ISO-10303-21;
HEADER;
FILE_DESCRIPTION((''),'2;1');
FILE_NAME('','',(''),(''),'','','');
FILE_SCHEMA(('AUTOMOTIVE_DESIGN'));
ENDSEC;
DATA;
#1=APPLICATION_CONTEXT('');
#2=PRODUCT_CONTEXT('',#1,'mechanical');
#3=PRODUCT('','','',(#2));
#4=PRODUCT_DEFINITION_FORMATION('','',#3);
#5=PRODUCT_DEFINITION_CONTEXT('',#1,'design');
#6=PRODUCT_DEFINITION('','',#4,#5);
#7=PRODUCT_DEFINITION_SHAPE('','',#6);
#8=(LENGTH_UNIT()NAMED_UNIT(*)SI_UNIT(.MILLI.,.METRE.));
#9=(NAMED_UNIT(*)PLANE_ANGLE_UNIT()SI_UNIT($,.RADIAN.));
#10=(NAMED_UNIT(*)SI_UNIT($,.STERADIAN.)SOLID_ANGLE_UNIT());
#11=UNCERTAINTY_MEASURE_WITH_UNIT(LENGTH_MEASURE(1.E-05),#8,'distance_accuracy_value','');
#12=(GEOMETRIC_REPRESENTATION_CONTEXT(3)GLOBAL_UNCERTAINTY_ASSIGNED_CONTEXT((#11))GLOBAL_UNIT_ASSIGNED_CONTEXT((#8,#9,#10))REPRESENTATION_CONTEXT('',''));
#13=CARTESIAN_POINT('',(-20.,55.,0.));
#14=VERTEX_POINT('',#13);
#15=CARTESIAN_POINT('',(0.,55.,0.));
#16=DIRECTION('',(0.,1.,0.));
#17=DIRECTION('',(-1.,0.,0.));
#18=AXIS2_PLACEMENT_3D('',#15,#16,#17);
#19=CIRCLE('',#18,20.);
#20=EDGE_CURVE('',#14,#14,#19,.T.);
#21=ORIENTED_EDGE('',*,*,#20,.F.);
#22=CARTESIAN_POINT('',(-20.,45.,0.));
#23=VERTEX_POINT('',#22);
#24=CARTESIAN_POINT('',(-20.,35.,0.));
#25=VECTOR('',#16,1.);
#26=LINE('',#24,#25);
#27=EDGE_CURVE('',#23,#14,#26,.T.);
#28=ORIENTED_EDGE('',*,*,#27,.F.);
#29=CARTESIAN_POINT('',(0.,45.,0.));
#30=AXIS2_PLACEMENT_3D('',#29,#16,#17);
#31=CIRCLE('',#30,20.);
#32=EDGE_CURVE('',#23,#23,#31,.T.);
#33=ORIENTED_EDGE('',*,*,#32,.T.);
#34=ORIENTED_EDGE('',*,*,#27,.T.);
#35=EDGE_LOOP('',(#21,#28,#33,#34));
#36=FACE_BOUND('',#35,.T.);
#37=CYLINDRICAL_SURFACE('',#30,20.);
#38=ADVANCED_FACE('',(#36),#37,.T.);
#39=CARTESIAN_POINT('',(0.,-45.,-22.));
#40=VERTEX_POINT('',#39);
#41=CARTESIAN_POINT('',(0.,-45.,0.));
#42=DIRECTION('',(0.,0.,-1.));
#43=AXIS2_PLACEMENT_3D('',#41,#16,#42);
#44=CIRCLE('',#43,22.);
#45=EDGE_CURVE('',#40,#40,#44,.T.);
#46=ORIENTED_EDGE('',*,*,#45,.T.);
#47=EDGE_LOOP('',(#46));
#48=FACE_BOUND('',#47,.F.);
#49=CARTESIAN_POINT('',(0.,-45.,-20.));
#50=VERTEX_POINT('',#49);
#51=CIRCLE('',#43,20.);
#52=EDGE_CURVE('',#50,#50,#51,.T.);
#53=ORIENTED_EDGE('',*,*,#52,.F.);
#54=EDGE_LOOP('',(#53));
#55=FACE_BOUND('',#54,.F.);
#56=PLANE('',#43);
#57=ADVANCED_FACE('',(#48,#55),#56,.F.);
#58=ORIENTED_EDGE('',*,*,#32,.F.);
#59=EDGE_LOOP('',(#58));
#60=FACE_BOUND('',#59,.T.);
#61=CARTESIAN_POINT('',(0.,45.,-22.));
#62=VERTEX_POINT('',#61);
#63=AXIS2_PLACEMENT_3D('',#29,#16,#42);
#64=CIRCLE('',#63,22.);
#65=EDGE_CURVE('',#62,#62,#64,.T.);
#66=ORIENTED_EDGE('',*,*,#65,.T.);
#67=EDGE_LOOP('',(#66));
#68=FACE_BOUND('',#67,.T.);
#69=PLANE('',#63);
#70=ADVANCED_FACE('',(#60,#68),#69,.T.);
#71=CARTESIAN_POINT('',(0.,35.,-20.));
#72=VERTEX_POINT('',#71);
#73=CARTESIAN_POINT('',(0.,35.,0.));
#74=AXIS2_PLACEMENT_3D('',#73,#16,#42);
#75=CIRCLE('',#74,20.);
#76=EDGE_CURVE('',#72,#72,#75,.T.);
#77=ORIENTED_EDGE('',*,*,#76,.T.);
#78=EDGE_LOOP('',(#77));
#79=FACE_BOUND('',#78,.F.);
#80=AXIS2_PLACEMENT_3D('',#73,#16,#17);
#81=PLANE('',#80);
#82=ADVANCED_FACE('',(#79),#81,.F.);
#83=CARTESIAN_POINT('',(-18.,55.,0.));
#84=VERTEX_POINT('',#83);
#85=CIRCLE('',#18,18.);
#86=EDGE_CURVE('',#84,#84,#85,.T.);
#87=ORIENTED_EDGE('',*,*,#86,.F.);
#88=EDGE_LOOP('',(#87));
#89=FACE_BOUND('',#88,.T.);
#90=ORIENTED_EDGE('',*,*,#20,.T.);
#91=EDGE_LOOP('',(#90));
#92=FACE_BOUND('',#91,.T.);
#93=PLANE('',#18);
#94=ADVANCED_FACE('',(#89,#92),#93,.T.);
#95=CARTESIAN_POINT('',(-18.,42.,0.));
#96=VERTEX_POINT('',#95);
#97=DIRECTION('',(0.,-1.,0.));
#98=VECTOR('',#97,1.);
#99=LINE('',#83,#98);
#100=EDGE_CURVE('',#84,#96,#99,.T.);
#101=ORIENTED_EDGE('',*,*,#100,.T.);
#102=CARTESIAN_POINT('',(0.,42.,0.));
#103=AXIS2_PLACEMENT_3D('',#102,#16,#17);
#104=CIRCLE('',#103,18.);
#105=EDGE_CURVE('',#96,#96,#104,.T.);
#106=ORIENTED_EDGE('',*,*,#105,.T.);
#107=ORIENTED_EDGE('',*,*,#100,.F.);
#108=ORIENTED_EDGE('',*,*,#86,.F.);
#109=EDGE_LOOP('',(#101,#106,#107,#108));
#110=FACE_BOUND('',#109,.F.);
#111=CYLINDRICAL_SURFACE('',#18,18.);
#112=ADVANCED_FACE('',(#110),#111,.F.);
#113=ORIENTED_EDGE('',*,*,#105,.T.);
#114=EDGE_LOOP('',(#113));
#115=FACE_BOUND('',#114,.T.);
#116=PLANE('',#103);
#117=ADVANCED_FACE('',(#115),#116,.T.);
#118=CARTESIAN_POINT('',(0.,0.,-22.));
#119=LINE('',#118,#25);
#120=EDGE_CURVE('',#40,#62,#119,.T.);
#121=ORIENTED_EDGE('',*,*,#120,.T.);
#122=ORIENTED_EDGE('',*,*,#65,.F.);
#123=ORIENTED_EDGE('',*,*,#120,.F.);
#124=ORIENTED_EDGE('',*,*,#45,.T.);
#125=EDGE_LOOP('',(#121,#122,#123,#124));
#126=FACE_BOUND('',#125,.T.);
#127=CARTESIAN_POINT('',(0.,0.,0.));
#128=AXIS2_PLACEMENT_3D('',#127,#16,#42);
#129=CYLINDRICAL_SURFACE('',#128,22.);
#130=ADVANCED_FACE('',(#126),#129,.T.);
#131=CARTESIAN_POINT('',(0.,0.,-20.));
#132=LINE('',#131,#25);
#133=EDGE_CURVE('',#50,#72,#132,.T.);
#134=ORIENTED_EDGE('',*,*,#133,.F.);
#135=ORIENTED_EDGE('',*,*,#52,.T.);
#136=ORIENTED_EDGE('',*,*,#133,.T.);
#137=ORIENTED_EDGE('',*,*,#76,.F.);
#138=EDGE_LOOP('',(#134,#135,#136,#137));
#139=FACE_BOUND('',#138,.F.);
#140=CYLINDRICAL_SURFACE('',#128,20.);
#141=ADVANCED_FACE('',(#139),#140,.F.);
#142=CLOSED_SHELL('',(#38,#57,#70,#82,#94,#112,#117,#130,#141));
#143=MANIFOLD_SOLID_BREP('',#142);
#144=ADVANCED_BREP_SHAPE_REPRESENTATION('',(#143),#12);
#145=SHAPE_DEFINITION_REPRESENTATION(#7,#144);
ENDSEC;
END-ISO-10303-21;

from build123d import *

# Parameters (mm, degrees)
F0_W     = 90
F0_H     = 2
F2_R     = 20
F3_DEPTH = 10
F4_R     = 18
F5_DEPTH = 13


with BuildPart() as f1:
    # F0 (on Right) → F1 (revolve)
    with BuildSketch(Plane.YZ):
        with Locations((0, -21)):
            Rectangle(F0_W, F0_H)
    revolve(axis=Axis((0, 40.8125, 0), (0, 1, 0)))

    # F2 (on face) → F3 (join, symmetric)
    with BuildSketch(Plane(origin=(0, 45, 0), x_dir=(-1, 0, 0), z_dir=(0, 1, 0))):
        Circle(F2_R)
    extrude(amount=F3_DEPTH, both=True)

    # F4 (on face) → F5 (cut)
    with BuildSketch(Plane(origin=(0, 55, 0), x_dir=(-1, 0, 0), z_dir=(0, 1, 0))):
        Circle(F4_R)
    extrude(amount=-F5_DEPTH, mode=Mode.SUBTRACT)


solid = f1.part
